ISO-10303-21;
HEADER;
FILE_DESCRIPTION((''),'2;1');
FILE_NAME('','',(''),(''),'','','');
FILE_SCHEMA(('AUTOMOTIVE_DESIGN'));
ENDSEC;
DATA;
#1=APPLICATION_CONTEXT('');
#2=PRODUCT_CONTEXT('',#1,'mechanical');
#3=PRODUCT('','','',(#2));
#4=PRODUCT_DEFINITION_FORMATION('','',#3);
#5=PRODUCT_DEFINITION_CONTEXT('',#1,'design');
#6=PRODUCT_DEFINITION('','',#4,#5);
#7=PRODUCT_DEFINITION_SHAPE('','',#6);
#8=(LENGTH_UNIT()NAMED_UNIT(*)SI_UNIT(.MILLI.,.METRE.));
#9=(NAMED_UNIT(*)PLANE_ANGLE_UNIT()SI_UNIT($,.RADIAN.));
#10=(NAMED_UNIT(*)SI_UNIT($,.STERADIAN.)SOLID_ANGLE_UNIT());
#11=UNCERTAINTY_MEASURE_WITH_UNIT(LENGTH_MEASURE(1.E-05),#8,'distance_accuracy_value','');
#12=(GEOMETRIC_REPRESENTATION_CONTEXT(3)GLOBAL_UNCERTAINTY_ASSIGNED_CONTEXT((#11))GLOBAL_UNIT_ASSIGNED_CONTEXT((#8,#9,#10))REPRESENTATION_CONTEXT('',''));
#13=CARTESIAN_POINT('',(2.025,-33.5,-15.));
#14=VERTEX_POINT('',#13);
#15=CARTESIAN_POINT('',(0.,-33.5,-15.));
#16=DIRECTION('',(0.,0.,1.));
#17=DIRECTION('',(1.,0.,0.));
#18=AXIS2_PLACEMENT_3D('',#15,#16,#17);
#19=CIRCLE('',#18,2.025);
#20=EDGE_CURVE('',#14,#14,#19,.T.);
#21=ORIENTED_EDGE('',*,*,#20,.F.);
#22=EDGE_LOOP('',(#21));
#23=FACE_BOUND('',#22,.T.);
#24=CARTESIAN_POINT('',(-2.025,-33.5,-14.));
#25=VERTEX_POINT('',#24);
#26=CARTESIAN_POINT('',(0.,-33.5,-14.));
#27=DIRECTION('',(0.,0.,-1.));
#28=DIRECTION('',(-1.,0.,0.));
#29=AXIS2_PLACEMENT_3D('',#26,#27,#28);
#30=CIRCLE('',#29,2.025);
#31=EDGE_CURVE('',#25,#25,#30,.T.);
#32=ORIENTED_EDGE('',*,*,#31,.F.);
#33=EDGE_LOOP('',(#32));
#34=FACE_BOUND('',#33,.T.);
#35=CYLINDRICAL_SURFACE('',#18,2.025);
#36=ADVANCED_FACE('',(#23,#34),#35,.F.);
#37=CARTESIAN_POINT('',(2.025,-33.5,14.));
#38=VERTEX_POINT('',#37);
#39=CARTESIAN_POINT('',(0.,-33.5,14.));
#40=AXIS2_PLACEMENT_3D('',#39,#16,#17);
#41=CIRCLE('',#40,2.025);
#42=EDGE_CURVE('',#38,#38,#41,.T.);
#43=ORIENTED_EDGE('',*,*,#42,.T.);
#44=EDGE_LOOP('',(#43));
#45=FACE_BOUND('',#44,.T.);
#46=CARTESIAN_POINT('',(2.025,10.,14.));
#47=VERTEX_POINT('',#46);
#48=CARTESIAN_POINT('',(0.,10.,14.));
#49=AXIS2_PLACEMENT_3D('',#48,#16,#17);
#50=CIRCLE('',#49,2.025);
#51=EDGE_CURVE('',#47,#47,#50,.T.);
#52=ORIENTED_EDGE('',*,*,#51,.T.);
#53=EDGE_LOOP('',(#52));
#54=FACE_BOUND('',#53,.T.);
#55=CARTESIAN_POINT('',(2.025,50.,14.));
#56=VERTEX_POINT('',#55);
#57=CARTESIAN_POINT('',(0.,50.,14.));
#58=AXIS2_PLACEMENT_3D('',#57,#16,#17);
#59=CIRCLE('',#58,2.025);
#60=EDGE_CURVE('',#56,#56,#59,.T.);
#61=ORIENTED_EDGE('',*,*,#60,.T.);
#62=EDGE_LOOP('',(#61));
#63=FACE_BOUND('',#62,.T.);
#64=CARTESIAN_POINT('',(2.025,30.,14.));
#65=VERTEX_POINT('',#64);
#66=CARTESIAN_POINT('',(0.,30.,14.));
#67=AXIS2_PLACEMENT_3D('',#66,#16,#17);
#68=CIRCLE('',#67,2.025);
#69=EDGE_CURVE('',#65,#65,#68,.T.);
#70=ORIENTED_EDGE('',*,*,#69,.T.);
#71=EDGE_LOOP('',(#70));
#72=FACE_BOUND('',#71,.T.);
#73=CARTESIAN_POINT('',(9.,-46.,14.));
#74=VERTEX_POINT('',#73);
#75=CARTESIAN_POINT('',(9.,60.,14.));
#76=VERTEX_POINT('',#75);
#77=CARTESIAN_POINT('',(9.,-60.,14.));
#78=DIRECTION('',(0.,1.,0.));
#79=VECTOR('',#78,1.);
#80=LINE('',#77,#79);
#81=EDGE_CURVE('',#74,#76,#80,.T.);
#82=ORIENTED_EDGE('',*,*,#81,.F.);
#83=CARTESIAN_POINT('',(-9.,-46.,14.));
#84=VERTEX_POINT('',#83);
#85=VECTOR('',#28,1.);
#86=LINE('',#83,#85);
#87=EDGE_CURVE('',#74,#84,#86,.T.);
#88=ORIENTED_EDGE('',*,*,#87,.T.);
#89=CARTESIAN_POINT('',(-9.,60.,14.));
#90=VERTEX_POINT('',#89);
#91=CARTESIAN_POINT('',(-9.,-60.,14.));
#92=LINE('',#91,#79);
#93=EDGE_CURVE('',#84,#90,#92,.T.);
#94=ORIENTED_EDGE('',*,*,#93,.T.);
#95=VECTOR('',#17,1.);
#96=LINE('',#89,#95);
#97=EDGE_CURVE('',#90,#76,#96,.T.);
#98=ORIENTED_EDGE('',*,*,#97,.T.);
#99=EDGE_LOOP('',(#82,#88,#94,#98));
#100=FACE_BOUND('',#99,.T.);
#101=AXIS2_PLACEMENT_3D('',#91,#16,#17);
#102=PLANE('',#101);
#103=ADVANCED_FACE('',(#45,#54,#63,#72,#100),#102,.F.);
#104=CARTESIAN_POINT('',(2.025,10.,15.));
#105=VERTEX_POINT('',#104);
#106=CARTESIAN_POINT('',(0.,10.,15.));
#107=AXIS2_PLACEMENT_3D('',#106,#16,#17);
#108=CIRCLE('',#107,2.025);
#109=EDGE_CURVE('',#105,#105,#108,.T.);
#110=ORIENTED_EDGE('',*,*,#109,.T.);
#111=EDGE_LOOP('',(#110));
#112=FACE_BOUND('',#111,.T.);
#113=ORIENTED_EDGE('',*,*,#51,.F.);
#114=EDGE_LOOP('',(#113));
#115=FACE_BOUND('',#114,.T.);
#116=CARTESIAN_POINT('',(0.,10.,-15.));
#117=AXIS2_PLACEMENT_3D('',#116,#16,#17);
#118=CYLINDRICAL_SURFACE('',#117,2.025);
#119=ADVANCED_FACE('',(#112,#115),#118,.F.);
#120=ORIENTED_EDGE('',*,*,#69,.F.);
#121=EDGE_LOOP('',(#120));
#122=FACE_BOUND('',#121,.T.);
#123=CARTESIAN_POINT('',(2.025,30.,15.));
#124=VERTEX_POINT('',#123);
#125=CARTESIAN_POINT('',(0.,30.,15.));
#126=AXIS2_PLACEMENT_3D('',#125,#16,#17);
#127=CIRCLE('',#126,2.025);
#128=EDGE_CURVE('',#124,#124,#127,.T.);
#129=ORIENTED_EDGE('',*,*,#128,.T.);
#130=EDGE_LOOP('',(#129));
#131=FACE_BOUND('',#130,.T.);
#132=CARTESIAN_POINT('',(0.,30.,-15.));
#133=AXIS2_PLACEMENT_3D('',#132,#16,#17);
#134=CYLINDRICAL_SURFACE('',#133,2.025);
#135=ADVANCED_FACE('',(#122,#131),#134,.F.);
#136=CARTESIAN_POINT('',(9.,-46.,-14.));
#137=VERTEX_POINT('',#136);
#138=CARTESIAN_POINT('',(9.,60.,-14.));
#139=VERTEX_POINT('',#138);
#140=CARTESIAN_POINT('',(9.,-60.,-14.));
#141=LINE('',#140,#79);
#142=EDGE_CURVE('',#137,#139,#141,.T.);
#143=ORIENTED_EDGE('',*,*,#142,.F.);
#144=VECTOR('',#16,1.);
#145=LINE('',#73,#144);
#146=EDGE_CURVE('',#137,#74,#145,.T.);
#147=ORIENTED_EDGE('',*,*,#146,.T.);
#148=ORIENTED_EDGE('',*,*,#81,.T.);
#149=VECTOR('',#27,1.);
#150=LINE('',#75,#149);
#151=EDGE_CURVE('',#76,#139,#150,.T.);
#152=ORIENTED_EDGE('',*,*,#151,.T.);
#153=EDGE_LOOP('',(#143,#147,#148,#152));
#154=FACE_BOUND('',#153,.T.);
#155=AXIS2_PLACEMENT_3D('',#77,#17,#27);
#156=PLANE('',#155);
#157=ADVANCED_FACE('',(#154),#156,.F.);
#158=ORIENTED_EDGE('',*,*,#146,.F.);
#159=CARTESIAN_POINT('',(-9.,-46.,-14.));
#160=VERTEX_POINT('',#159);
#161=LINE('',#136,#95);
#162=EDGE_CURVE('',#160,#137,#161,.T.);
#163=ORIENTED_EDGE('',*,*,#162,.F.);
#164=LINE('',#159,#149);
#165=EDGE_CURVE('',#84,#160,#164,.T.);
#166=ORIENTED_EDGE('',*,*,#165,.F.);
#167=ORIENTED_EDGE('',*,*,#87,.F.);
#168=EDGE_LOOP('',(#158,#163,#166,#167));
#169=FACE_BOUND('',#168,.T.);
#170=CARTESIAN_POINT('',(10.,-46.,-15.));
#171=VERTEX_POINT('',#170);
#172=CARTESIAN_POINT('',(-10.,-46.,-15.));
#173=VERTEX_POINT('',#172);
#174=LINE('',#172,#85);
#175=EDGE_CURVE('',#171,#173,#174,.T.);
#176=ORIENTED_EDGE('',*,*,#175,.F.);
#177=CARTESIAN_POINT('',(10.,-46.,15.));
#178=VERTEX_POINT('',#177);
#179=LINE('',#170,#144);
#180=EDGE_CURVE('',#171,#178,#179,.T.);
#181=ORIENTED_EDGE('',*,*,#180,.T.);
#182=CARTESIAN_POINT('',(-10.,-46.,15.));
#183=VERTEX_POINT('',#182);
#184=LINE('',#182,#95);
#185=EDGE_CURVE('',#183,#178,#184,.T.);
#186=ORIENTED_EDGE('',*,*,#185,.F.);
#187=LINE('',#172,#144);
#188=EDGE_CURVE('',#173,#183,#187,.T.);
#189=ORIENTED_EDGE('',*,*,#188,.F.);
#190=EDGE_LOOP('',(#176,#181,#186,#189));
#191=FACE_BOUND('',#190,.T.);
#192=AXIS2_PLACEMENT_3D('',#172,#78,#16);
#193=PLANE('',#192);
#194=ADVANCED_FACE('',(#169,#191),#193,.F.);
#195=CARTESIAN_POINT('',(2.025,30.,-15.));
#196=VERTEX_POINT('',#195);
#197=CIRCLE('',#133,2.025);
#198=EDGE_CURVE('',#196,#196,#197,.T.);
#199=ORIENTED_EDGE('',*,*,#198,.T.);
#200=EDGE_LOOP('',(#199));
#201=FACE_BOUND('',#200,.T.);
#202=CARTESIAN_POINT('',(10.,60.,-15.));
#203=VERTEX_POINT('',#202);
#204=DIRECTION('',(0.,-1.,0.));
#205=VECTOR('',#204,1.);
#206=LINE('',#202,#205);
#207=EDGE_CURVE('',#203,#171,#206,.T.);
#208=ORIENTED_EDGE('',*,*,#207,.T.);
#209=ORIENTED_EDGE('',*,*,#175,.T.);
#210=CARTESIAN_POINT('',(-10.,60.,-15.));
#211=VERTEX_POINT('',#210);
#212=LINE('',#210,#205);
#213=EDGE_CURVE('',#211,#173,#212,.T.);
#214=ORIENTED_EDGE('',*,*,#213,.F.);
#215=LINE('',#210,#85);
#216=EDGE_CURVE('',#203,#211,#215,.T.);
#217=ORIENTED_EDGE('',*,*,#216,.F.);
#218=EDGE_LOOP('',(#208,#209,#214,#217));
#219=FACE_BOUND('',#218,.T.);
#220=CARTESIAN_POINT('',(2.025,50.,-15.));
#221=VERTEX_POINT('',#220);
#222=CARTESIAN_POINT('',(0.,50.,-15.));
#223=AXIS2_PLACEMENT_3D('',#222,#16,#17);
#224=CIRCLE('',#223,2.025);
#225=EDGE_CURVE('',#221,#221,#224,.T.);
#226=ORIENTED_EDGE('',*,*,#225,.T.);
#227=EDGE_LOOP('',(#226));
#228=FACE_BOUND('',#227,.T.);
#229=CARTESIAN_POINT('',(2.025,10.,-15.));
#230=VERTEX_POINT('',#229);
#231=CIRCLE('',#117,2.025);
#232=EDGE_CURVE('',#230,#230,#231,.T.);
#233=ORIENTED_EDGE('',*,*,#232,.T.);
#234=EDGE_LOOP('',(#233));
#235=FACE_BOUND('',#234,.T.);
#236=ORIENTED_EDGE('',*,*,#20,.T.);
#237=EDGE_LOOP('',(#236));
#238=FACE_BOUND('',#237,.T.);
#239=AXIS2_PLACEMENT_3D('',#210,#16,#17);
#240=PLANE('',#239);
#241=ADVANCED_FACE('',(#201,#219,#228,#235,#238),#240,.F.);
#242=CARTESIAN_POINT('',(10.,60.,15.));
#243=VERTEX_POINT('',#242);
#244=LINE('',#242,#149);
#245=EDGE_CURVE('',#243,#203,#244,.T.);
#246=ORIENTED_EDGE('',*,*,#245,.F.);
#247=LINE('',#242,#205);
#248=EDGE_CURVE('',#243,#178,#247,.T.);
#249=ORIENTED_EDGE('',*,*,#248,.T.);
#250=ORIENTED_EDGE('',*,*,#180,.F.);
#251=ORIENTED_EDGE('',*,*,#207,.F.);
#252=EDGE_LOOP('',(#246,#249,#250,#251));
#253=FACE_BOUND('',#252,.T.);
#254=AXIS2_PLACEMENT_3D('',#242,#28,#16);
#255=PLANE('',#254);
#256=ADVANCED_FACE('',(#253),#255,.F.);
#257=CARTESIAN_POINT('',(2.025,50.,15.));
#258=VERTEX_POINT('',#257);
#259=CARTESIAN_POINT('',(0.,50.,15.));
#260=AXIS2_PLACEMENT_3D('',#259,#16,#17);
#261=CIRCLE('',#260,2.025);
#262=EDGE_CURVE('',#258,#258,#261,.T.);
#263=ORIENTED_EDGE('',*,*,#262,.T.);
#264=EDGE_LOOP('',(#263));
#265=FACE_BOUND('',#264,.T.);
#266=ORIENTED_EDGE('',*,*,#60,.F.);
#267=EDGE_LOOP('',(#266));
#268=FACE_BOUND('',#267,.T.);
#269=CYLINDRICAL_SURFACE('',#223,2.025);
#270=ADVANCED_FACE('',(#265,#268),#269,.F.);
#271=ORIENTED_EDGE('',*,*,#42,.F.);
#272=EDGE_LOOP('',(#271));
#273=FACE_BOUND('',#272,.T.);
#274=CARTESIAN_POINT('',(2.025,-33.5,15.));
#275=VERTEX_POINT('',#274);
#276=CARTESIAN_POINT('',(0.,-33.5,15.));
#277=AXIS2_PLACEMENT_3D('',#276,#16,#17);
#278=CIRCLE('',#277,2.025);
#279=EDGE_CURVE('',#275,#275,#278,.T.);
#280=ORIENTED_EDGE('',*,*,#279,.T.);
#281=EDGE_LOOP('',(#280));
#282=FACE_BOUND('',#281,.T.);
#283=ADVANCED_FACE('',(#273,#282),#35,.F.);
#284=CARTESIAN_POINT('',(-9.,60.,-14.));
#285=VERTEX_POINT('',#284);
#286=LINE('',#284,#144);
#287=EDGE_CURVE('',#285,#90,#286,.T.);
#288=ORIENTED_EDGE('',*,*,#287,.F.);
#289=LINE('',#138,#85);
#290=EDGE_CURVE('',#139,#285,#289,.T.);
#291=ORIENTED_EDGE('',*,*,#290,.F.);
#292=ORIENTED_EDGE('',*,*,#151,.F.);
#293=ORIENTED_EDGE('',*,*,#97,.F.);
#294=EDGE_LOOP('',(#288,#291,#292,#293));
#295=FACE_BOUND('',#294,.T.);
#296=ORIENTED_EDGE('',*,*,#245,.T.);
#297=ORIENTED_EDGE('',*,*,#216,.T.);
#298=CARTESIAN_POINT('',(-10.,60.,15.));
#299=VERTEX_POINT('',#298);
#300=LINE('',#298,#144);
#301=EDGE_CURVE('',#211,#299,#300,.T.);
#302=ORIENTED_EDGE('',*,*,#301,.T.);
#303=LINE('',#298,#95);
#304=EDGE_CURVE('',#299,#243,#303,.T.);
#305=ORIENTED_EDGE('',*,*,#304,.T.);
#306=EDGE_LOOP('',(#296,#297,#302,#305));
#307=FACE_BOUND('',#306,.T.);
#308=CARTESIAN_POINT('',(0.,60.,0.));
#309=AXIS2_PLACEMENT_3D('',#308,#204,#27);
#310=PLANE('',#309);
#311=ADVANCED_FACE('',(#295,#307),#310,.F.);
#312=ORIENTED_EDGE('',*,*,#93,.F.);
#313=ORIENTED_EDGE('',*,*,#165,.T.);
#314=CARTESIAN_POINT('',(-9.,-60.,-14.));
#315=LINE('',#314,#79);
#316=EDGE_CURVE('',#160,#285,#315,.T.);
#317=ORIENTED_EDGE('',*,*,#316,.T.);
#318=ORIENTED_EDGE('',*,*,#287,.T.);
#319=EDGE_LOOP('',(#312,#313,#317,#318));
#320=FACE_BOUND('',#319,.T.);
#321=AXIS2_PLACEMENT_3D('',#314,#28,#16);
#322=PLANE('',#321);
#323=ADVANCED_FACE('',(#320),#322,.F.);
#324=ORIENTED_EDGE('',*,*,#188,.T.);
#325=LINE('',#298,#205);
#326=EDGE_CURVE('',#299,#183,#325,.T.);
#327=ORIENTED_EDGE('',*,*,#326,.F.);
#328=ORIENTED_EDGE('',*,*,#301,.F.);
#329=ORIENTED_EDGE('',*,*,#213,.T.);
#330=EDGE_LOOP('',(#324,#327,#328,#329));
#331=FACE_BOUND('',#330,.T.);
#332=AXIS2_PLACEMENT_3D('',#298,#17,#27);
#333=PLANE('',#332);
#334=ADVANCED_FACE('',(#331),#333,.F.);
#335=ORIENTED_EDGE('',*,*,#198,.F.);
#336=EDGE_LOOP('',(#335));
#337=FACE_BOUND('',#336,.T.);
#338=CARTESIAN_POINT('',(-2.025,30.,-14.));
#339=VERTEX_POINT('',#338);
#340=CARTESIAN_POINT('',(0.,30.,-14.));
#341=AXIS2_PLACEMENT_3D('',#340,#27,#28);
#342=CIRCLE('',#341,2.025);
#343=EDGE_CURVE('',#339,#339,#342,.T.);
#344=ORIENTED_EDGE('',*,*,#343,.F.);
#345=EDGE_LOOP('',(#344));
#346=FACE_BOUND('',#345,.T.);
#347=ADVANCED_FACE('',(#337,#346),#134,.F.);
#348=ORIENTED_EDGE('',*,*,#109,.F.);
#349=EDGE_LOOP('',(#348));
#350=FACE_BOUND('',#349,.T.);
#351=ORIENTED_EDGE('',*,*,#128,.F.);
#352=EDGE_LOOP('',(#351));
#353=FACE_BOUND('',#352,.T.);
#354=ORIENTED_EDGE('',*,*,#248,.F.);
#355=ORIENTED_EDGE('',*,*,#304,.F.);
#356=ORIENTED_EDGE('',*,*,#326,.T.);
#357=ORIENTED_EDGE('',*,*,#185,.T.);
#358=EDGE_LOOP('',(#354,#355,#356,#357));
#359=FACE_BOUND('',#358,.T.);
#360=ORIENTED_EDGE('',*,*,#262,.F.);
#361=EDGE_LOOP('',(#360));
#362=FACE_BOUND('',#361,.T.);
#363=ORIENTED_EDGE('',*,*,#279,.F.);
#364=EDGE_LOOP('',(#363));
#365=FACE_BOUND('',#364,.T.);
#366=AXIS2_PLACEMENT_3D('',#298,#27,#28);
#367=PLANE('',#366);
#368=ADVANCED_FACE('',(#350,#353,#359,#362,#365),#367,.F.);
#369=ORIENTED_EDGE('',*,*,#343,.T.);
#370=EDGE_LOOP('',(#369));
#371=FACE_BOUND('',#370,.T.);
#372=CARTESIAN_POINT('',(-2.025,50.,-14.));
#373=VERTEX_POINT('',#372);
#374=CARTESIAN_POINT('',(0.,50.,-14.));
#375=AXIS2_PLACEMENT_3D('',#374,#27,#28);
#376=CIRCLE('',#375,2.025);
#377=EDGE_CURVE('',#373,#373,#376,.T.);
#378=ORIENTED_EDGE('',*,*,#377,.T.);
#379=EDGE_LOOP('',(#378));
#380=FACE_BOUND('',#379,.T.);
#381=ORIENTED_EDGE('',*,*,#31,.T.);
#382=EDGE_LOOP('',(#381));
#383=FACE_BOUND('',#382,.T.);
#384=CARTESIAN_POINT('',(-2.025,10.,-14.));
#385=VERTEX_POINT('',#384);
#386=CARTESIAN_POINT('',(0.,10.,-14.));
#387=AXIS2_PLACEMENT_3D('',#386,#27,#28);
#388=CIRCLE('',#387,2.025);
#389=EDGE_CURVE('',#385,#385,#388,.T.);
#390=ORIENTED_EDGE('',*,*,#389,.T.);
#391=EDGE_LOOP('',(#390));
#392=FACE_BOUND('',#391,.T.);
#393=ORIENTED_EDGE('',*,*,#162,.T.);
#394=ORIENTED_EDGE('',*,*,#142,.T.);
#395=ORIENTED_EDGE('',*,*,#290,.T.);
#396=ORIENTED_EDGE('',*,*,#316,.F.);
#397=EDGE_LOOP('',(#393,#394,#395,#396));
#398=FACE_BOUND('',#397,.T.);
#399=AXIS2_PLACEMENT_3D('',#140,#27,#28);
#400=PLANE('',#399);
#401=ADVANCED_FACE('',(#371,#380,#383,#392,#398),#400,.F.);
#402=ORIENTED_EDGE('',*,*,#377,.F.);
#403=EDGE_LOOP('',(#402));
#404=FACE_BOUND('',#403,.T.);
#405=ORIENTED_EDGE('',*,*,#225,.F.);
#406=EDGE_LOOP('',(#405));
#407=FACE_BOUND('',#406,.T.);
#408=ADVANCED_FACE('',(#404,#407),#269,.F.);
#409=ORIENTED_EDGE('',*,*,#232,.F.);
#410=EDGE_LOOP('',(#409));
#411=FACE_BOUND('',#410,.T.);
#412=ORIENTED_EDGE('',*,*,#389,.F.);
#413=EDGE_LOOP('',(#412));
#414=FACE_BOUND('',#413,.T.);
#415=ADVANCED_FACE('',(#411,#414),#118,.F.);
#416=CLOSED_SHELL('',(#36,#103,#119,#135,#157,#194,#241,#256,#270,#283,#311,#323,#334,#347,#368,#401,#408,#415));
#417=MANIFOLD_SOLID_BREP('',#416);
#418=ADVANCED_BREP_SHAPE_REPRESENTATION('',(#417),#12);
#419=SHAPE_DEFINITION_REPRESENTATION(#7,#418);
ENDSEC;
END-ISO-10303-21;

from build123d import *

# Parameters (mm, degrees)
SKETCH_2_W               = 20
SKETCH_2_H               = 30
EXTRUDE_1_DEPTH          = 60
SKETCH_3_W               = 18
SKETCH_3_H               = 28
CUT_EXTRUDE_1_DEPTH      = 61
CUT_EXTRUDE_1_DEPTH_BACK = 61
SKETCH_5_W               = 20
SKETCH_5_H               = 14
CUT_EXTRUDE_3_DEPTH      = 1
CUT_EXTRUDE_3_DEPTH_BACK = 31
SKETCH_6_R               = 2.025
CUT_EXTRUDE_4_DEPTH      = 31
SKETCH_7_R               = 2.025
CUT_EXTRUDE_5_DEPTH      = 1
CUT_EXTRUDE_5_DEPTH_BACK = 31


with BuildPart() as part:
    # 草图2 → 凸台-拉伸1 (new body, symmetric)
    with BuildSketch(Plane(origin=(0, 0, 0), x_dir=(1, 0, 0), z_dir=(0, 1, 0))):
        Rectangle(SKETCH_2_W, SKETCH_2_H)
    extrude(amount=EXTRUDE_1_DEPTH, both=True)

    # 草图3 → 切除-拉伸1 (cut, two sides)
    with BuildSketch(Plane(origin=(0, 0, 0), x_dir=(1, 0, 0), z_dir=(0, 1, 0))) as cut_extrude_1_sk:
        Rectangle(SKETCH_3_W, SKETCH_3_H)
    extrude(amount=CUT_EXTRUDE_1_DEPTH, mode=Mode.SUBTRACT)
    extrude(cut_extrude_1_sk.sketch, amount=-CUT_EXTRUDE_1_DEPTH_BACK, mode=Mode.SUBTRACT)

    # 草图5 → 切除-拉伸3 (cut, two sides)
    with BuildSketch(Plane.XY.offset(15)) as cut_extrude_3_sk:
        with Locations((0, -53)):
            Rectangle(SKETCH_5_W, SKETCH_5_H)
    extrude(amount=CUT_EXTRUDE_3_DEPTH, mode=Mode.SUBTRACT)
    extrude(cut_extrude_3_sk.sketch, amount=-CUT_EXTRUDE_3_DEPTH_BACK, mode=Mode.SUBTRACT)

    # 草图6 → 切除-拉伸4 (cut, through all)
    with BuildSketch(Plane.XY.offset(15)):
        with Locations((0, -33.5)):
            Circle(SKETCH_6_R)
    extrude(amount=-CUT_EXTRUDE_4_DEPTH, mode=Mode.SUBTRACT)

    # 草图7 → 切除-拉伸5 (cut, two sides)
    with BuildSketch(Plane.XY.offset(15)) as cut_extrude_5_sk:
        with Locations((0, 50)):
            Circle(SKETCH_7_R)
        with Locations((0, 30)):
            Circle(SKETCH_7_R)
        with Locations((0, 10)):
            Circle(SKETCH_7_R)
    extrude(amount=CUT_EXTRUDE_5_DEPTH, mode=Mode.SUBTRACT)
    extrude(cut_extrude_5_sk.sketch, amount=-CUT_EXTRUDE_5_DEPTH_BACK, mode=Mode.SUBTRACT)


solid = part.part
